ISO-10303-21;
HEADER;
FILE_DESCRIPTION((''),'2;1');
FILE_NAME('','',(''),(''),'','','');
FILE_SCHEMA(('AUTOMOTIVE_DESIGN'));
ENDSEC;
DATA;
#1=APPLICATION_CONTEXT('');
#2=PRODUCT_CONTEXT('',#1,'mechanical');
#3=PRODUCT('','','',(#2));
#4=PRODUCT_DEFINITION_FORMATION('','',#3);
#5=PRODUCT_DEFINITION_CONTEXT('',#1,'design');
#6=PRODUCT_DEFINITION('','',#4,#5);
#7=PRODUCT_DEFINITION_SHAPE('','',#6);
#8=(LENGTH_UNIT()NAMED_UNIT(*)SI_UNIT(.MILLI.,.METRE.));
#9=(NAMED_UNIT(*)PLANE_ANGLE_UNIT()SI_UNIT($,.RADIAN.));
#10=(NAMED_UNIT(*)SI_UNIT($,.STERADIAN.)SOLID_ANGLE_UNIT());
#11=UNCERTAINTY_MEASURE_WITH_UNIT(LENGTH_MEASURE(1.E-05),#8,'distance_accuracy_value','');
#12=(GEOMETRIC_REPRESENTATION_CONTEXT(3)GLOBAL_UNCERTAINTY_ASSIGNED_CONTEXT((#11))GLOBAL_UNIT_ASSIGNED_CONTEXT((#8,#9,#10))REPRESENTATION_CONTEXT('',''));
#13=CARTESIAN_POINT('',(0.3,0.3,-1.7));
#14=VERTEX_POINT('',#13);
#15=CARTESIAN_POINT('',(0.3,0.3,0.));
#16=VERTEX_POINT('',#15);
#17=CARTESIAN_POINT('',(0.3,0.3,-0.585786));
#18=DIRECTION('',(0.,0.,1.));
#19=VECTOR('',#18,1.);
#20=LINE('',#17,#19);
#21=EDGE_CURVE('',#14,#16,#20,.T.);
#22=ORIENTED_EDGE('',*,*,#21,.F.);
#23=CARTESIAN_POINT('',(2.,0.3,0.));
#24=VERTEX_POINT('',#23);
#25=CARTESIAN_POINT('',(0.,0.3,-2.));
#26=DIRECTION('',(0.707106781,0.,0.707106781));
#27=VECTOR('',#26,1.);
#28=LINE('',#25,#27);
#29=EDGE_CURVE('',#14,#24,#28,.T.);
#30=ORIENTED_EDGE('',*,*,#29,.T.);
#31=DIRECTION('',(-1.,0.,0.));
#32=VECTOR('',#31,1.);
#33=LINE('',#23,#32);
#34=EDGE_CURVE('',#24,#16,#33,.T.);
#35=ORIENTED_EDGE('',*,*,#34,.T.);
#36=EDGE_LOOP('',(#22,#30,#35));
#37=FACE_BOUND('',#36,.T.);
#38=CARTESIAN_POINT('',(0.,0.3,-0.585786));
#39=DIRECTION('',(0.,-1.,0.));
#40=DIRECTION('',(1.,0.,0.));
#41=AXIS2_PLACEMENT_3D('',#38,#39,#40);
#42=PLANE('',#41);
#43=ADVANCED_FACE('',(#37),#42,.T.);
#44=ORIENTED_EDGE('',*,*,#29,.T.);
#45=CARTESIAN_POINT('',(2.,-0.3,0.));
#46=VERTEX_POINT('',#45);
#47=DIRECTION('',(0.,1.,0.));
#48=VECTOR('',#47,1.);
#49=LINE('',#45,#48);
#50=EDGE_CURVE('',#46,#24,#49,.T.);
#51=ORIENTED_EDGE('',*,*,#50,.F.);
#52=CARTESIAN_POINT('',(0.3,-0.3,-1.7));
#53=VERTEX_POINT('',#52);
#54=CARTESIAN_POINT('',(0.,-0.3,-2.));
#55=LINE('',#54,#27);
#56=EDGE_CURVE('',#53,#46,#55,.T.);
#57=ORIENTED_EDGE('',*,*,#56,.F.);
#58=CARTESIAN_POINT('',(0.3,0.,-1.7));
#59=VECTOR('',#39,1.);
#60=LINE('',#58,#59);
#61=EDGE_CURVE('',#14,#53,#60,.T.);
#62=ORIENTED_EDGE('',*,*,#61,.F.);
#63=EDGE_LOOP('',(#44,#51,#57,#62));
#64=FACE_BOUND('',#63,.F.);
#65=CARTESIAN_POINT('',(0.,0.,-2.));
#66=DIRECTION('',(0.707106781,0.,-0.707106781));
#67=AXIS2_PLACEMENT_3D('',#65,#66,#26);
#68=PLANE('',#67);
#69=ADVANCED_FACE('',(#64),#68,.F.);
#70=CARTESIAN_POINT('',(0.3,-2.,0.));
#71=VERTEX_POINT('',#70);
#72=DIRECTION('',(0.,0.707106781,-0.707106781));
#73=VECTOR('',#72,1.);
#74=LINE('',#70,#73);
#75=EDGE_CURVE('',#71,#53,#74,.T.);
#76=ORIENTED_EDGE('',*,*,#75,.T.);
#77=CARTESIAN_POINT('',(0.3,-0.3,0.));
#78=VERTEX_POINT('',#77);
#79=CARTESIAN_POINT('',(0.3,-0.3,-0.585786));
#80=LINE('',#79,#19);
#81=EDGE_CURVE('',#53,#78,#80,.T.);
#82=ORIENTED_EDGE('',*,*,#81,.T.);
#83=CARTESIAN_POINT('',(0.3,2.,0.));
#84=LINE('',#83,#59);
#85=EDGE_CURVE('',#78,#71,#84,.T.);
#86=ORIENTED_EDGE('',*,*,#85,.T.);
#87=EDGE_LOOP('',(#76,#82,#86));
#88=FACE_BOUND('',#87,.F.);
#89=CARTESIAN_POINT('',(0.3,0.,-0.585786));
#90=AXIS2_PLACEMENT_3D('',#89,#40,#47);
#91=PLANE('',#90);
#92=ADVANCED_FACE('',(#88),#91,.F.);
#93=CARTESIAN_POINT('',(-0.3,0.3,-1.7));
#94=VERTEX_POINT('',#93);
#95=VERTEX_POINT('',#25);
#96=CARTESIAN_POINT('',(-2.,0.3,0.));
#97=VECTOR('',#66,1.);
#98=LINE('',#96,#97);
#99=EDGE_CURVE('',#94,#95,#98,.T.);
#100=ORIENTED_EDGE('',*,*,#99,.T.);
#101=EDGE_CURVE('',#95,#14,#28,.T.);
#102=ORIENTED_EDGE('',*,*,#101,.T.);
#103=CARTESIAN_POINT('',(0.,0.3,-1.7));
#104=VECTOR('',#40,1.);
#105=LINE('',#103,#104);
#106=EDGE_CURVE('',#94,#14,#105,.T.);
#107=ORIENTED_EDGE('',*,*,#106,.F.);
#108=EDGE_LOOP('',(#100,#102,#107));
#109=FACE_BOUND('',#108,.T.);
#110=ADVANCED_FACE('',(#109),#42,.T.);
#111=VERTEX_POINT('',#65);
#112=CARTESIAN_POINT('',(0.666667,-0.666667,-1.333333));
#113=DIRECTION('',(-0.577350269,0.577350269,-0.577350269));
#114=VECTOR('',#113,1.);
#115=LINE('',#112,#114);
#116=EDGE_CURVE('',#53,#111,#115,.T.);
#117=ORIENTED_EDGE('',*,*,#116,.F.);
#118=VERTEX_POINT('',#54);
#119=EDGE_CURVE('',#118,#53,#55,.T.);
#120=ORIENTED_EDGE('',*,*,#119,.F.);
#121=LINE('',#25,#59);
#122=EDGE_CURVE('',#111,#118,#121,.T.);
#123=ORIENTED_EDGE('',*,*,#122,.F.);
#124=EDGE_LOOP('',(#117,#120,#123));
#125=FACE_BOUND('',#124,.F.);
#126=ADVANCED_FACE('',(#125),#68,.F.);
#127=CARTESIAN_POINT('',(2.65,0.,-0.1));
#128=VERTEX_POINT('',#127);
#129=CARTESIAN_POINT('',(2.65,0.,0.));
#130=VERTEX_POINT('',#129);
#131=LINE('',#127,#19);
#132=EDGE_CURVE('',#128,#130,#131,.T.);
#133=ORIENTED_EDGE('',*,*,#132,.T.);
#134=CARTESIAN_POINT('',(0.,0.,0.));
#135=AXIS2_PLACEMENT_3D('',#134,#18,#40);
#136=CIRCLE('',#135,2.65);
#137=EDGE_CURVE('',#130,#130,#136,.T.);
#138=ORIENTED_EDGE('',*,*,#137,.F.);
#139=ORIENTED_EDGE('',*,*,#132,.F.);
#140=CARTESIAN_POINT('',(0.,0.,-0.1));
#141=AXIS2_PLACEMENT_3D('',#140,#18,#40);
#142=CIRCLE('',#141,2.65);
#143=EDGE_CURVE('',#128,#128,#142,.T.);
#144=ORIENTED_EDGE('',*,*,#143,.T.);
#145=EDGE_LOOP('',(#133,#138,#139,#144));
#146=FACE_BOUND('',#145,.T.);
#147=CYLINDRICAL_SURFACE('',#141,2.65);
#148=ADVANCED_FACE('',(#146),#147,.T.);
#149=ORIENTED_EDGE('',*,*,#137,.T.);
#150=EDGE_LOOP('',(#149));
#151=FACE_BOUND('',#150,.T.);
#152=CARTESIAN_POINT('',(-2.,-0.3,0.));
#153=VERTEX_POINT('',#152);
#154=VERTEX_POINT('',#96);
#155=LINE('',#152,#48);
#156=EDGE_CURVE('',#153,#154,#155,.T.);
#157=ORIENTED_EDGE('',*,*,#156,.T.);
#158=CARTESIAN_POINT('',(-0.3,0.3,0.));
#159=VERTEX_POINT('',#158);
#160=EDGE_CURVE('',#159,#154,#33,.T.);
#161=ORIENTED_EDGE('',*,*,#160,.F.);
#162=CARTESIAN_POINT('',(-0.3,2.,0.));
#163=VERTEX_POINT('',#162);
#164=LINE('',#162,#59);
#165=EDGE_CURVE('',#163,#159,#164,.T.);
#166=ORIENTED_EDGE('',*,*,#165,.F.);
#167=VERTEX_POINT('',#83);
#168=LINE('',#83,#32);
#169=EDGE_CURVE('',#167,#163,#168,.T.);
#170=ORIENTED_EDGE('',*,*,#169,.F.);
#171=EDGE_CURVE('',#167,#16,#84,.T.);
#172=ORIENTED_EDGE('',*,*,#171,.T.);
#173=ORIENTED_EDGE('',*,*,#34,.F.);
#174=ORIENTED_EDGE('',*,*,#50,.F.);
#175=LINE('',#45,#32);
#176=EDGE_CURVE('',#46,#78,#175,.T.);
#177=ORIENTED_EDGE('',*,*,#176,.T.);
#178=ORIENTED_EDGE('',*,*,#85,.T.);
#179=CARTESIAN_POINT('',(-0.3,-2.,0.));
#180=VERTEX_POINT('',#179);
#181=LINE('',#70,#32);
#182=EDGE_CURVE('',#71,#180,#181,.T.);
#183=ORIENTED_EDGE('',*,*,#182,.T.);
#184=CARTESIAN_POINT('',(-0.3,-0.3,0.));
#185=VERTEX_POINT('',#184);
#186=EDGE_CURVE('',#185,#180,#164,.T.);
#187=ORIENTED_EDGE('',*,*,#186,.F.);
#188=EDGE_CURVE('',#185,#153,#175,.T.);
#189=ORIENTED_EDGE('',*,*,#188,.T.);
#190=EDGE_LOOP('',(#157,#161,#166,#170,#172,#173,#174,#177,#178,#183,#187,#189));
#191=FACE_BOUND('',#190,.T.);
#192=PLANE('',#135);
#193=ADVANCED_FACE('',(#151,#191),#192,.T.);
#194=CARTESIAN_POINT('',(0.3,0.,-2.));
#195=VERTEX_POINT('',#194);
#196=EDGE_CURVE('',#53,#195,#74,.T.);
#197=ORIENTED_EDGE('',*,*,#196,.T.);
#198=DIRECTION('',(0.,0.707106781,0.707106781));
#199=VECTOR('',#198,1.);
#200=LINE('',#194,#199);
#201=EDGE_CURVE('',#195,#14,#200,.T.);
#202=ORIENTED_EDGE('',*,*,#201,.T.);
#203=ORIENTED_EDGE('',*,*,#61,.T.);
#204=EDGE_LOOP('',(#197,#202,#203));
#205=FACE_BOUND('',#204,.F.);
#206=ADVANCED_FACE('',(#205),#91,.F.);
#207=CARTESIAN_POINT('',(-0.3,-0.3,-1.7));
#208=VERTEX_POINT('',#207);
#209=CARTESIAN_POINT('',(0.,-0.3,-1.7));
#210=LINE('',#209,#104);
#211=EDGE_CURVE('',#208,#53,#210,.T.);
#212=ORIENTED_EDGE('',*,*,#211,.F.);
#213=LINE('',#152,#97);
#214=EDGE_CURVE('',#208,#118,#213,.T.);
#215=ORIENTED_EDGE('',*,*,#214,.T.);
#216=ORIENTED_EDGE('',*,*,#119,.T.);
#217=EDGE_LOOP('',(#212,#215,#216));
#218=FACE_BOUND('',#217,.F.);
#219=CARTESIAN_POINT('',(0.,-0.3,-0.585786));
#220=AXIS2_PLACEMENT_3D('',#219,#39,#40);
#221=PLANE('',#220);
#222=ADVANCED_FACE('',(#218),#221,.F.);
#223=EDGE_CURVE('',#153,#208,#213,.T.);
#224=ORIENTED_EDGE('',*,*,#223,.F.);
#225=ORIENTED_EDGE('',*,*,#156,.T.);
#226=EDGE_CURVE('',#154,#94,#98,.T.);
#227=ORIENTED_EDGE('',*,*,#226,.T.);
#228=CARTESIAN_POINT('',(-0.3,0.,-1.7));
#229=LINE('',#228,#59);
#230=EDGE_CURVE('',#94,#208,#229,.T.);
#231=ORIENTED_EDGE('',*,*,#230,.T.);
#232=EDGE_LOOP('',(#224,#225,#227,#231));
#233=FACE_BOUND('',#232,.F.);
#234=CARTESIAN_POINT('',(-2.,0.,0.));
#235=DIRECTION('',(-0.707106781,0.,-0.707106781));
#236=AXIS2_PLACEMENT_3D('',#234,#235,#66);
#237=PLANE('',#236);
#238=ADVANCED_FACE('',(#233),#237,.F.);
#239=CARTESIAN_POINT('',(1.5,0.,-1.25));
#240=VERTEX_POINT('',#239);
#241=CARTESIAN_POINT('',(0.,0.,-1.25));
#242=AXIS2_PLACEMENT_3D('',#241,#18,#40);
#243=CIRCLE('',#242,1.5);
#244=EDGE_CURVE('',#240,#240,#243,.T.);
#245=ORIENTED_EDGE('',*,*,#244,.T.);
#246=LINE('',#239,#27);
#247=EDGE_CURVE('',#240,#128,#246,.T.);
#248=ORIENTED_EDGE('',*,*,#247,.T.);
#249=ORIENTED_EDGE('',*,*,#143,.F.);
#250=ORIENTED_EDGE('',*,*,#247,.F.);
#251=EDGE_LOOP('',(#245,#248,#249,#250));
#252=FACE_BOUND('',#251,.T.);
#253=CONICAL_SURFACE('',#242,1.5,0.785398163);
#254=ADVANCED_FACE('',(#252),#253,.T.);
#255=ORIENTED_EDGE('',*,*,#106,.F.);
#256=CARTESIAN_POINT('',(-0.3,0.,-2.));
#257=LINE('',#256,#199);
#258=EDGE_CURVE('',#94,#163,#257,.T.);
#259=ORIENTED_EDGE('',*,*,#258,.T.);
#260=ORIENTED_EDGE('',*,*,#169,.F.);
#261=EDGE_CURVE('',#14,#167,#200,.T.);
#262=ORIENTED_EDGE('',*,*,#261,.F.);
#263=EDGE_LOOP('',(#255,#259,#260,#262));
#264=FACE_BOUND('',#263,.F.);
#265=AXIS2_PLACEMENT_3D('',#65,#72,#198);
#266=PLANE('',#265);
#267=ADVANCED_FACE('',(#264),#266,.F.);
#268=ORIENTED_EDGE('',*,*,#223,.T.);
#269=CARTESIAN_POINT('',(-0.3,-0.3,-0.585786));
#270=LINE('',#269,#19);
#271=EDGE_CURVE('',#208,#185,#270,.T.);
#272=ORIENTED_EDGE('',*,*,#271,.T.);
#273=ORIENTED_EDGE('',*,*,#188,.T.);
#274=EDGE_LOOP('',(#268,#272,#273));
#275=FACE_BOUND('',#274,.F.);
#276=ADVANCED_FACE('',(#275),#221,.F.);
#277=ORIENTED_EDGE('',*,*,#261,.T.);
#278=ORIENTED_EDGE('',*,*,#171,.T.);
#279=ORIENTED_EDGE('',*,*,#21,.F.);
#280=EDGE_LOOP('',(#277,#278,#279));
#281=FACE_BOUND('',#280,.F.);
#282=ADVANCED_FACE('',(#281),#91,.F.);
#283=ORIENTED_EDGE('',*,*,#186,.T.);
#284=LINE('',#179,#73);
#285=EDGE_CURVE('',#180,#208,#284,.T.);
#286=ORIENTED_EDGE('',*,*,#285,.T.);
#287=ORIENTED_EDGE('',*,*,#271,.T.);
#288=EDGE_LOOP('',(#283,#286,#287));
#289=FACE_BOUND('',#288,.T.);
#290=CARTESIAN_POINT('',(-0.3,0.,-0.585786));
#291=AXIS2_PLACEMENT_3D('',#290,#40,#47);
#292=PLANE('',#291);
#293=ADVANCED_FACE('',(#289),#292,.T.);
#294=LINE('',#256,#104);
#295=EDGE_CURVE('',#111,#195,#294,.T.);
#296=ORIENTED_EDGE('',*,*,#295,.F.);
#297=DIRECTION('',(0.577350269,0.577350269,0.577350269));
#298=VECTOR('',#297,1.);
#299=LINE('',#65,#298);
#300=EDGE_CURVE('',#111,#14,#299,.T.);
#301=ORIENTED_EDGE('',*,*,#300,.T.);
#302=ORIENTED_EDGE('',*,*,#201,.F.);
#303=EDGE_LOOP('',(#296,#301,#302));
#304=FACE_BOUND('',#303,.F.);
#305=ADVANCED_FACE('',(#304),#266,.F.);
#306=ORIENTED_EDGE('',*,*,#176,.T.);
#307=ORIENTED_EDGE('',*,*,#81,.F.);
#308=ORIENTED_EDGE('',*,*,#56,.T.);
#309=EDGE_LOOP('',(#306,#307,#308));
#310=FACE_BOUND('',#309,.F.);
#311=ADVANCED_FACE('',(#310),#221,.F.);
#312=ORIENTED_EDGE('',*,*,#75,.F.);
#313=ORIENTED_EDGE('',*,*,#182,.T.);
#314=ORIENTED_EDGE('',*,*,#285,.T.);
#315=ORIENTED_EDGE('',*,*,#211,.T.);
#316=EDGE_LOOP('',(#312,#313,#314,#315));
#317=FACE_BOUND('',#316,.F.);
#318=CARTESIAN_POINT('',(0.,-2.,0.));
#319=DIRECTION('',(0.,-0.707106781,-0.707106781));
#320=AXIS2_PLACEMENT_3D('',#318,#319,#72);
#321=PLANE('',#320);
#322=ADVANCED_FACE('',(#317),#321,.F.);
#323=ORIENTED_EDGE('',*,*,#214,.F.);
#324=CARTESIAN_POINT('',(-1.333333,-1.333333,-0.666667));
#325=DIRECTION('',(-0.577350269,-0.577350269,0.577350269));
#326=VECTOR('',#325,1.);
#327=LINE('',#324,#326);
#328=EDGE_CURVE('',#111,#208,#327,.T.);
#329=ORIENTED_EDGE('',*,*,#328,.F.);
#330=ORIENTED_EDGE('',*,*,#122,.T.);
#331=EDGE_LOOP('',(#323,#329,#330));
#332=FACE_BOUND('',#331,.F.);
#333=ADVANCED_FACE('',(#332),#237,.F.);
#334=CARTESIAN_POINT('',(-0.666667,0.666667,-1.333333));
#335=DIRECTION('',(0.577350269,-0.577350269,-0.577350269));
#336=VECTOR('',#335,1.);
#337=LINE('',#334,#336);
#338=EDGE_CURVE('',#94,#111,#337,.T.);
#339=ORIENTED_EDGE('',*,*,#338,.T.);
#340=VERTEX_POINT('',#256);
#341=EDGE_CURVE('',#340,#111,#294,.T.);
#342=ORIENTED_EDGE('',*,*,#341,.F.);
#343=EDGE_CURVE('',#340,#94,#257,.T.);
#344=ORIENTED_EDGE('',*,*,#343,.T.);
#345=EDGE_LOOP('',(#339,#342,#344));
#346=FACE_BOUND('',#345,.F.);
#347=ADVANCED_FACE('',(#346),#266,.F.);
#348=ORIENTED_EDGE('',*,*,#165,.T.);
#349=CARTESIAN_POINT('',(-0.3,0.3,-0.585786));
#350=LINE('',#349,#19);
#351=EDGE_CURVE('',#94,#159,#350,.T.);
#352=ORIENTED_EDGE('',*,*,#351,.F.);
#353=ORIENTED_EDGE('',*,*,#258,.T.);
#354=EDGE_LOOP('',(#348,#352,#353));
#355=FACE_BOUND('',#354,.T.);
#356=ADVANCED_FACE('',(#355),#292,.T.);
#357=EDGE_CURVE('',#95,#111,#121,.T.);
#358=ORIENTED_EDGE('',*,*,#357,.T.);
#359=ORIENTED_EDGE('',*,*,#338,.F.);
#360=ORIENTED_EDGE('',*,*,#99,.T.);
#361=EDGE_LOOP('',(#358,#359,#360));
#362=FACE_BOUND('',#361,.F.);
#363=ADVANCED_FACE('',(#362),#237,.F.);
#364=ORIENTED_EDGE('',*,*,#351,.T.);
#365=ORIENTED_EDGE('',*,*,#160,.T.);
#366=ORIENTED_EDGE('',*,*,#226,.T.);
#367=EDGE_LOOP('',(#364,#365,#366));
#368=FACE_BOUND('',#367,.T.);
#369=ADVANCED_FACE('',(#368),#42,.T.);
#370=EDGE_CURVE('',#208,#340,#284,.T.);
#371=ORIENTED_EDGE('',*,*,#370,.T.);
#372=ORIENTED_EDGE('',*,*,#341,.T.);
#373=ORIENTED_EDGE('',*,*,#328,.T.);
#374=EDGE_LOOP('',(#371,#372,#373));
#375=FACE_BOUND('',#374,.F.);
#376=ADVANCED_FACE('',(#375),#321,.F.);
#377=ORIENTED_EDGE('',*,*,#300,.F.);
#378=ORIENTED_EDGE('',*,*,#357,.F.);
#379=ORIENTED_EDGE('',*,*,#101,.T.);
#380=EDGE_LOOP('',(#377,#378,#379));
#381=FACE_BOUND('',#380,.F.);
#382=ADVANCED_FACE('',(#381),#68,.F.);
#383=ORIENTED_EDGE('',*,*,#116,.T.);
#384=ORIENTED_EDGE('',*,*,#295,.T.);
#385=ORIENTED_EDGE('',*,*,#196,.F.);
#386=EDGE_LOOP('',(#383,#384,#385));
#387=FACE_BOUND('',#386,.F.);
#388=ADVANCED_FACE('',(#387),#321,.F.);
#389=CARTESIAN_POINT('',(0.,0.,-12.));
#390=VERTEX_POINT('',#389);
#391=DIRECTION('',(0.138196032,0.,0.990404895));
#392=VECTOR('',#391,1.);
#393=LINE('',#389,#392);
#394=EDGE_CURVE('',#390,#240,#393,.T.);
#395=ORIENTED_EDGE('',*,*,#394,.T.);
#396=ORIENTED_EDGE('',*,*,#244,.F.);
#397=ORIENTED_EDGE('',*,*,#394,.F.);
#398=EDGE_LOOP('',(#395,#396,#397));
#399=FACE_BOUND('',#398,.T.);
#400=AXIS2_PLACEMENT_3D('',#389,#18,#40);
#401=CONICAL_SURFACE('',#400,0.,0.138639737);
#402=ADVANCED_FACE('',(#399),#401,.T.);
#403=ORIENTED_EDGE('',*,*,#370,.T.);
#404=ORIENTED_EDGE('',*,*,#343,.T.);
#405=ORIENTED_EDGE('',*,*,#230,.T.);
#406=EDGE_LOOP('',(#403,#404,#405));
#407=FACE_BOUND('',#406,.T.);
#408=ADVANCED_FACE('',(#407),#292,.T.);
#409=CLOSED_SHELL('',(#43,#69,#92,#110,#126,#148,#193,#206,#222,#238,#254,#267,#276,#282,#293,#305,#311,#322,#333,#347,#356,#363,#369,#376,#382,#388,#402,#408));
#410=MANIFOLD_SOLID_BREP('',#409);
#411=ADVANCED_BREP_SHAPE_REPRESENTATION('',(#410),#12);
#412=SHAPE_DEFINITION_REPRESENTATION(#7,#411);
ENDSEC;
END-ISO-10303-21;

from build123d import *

# Parameters (mm, degrees)
POCKET_DEPTH       = 0.3
POLARPATTERN_COUNT = 2
POLARPATTERN_ANGLE = 90


with BuildPart() as part:
    # Sketch → Revolution (revolve)
    with BuildSketch(Plane.XZ):
        Polygon((0, 0), (0, -12), (1.5, -1.25), (2.65, -0.1), (2.65, 0), align=None)
    revolve(axis=Axis((0, 0, 0), (0, 0, 1)))

    # Sketch001 → Pocket (cut, symmetric)
    with BuildSketch(Plane.XZ):
        Polygon((-2, 0), (0, -2), (2, 0), align=None)
    pocket = extrude(amount=POCKET_DEPTH, both=True, mode=Mode.SUBTRACT)

    # PolarPattern: Pocket ×2 about axis
    polarpattern_axis = Axis((0, 0, 0), (0, 0, 1))
    for i in range(1, POLARPATTERN_COUNT):
        add(pocket.rotate(polarpattern_axis, i * POLARPATTERN_ANGLE / (POLARPATTERN_COUNT - 1)), mode=Mode.SUBTRACT)


solid = part.part
